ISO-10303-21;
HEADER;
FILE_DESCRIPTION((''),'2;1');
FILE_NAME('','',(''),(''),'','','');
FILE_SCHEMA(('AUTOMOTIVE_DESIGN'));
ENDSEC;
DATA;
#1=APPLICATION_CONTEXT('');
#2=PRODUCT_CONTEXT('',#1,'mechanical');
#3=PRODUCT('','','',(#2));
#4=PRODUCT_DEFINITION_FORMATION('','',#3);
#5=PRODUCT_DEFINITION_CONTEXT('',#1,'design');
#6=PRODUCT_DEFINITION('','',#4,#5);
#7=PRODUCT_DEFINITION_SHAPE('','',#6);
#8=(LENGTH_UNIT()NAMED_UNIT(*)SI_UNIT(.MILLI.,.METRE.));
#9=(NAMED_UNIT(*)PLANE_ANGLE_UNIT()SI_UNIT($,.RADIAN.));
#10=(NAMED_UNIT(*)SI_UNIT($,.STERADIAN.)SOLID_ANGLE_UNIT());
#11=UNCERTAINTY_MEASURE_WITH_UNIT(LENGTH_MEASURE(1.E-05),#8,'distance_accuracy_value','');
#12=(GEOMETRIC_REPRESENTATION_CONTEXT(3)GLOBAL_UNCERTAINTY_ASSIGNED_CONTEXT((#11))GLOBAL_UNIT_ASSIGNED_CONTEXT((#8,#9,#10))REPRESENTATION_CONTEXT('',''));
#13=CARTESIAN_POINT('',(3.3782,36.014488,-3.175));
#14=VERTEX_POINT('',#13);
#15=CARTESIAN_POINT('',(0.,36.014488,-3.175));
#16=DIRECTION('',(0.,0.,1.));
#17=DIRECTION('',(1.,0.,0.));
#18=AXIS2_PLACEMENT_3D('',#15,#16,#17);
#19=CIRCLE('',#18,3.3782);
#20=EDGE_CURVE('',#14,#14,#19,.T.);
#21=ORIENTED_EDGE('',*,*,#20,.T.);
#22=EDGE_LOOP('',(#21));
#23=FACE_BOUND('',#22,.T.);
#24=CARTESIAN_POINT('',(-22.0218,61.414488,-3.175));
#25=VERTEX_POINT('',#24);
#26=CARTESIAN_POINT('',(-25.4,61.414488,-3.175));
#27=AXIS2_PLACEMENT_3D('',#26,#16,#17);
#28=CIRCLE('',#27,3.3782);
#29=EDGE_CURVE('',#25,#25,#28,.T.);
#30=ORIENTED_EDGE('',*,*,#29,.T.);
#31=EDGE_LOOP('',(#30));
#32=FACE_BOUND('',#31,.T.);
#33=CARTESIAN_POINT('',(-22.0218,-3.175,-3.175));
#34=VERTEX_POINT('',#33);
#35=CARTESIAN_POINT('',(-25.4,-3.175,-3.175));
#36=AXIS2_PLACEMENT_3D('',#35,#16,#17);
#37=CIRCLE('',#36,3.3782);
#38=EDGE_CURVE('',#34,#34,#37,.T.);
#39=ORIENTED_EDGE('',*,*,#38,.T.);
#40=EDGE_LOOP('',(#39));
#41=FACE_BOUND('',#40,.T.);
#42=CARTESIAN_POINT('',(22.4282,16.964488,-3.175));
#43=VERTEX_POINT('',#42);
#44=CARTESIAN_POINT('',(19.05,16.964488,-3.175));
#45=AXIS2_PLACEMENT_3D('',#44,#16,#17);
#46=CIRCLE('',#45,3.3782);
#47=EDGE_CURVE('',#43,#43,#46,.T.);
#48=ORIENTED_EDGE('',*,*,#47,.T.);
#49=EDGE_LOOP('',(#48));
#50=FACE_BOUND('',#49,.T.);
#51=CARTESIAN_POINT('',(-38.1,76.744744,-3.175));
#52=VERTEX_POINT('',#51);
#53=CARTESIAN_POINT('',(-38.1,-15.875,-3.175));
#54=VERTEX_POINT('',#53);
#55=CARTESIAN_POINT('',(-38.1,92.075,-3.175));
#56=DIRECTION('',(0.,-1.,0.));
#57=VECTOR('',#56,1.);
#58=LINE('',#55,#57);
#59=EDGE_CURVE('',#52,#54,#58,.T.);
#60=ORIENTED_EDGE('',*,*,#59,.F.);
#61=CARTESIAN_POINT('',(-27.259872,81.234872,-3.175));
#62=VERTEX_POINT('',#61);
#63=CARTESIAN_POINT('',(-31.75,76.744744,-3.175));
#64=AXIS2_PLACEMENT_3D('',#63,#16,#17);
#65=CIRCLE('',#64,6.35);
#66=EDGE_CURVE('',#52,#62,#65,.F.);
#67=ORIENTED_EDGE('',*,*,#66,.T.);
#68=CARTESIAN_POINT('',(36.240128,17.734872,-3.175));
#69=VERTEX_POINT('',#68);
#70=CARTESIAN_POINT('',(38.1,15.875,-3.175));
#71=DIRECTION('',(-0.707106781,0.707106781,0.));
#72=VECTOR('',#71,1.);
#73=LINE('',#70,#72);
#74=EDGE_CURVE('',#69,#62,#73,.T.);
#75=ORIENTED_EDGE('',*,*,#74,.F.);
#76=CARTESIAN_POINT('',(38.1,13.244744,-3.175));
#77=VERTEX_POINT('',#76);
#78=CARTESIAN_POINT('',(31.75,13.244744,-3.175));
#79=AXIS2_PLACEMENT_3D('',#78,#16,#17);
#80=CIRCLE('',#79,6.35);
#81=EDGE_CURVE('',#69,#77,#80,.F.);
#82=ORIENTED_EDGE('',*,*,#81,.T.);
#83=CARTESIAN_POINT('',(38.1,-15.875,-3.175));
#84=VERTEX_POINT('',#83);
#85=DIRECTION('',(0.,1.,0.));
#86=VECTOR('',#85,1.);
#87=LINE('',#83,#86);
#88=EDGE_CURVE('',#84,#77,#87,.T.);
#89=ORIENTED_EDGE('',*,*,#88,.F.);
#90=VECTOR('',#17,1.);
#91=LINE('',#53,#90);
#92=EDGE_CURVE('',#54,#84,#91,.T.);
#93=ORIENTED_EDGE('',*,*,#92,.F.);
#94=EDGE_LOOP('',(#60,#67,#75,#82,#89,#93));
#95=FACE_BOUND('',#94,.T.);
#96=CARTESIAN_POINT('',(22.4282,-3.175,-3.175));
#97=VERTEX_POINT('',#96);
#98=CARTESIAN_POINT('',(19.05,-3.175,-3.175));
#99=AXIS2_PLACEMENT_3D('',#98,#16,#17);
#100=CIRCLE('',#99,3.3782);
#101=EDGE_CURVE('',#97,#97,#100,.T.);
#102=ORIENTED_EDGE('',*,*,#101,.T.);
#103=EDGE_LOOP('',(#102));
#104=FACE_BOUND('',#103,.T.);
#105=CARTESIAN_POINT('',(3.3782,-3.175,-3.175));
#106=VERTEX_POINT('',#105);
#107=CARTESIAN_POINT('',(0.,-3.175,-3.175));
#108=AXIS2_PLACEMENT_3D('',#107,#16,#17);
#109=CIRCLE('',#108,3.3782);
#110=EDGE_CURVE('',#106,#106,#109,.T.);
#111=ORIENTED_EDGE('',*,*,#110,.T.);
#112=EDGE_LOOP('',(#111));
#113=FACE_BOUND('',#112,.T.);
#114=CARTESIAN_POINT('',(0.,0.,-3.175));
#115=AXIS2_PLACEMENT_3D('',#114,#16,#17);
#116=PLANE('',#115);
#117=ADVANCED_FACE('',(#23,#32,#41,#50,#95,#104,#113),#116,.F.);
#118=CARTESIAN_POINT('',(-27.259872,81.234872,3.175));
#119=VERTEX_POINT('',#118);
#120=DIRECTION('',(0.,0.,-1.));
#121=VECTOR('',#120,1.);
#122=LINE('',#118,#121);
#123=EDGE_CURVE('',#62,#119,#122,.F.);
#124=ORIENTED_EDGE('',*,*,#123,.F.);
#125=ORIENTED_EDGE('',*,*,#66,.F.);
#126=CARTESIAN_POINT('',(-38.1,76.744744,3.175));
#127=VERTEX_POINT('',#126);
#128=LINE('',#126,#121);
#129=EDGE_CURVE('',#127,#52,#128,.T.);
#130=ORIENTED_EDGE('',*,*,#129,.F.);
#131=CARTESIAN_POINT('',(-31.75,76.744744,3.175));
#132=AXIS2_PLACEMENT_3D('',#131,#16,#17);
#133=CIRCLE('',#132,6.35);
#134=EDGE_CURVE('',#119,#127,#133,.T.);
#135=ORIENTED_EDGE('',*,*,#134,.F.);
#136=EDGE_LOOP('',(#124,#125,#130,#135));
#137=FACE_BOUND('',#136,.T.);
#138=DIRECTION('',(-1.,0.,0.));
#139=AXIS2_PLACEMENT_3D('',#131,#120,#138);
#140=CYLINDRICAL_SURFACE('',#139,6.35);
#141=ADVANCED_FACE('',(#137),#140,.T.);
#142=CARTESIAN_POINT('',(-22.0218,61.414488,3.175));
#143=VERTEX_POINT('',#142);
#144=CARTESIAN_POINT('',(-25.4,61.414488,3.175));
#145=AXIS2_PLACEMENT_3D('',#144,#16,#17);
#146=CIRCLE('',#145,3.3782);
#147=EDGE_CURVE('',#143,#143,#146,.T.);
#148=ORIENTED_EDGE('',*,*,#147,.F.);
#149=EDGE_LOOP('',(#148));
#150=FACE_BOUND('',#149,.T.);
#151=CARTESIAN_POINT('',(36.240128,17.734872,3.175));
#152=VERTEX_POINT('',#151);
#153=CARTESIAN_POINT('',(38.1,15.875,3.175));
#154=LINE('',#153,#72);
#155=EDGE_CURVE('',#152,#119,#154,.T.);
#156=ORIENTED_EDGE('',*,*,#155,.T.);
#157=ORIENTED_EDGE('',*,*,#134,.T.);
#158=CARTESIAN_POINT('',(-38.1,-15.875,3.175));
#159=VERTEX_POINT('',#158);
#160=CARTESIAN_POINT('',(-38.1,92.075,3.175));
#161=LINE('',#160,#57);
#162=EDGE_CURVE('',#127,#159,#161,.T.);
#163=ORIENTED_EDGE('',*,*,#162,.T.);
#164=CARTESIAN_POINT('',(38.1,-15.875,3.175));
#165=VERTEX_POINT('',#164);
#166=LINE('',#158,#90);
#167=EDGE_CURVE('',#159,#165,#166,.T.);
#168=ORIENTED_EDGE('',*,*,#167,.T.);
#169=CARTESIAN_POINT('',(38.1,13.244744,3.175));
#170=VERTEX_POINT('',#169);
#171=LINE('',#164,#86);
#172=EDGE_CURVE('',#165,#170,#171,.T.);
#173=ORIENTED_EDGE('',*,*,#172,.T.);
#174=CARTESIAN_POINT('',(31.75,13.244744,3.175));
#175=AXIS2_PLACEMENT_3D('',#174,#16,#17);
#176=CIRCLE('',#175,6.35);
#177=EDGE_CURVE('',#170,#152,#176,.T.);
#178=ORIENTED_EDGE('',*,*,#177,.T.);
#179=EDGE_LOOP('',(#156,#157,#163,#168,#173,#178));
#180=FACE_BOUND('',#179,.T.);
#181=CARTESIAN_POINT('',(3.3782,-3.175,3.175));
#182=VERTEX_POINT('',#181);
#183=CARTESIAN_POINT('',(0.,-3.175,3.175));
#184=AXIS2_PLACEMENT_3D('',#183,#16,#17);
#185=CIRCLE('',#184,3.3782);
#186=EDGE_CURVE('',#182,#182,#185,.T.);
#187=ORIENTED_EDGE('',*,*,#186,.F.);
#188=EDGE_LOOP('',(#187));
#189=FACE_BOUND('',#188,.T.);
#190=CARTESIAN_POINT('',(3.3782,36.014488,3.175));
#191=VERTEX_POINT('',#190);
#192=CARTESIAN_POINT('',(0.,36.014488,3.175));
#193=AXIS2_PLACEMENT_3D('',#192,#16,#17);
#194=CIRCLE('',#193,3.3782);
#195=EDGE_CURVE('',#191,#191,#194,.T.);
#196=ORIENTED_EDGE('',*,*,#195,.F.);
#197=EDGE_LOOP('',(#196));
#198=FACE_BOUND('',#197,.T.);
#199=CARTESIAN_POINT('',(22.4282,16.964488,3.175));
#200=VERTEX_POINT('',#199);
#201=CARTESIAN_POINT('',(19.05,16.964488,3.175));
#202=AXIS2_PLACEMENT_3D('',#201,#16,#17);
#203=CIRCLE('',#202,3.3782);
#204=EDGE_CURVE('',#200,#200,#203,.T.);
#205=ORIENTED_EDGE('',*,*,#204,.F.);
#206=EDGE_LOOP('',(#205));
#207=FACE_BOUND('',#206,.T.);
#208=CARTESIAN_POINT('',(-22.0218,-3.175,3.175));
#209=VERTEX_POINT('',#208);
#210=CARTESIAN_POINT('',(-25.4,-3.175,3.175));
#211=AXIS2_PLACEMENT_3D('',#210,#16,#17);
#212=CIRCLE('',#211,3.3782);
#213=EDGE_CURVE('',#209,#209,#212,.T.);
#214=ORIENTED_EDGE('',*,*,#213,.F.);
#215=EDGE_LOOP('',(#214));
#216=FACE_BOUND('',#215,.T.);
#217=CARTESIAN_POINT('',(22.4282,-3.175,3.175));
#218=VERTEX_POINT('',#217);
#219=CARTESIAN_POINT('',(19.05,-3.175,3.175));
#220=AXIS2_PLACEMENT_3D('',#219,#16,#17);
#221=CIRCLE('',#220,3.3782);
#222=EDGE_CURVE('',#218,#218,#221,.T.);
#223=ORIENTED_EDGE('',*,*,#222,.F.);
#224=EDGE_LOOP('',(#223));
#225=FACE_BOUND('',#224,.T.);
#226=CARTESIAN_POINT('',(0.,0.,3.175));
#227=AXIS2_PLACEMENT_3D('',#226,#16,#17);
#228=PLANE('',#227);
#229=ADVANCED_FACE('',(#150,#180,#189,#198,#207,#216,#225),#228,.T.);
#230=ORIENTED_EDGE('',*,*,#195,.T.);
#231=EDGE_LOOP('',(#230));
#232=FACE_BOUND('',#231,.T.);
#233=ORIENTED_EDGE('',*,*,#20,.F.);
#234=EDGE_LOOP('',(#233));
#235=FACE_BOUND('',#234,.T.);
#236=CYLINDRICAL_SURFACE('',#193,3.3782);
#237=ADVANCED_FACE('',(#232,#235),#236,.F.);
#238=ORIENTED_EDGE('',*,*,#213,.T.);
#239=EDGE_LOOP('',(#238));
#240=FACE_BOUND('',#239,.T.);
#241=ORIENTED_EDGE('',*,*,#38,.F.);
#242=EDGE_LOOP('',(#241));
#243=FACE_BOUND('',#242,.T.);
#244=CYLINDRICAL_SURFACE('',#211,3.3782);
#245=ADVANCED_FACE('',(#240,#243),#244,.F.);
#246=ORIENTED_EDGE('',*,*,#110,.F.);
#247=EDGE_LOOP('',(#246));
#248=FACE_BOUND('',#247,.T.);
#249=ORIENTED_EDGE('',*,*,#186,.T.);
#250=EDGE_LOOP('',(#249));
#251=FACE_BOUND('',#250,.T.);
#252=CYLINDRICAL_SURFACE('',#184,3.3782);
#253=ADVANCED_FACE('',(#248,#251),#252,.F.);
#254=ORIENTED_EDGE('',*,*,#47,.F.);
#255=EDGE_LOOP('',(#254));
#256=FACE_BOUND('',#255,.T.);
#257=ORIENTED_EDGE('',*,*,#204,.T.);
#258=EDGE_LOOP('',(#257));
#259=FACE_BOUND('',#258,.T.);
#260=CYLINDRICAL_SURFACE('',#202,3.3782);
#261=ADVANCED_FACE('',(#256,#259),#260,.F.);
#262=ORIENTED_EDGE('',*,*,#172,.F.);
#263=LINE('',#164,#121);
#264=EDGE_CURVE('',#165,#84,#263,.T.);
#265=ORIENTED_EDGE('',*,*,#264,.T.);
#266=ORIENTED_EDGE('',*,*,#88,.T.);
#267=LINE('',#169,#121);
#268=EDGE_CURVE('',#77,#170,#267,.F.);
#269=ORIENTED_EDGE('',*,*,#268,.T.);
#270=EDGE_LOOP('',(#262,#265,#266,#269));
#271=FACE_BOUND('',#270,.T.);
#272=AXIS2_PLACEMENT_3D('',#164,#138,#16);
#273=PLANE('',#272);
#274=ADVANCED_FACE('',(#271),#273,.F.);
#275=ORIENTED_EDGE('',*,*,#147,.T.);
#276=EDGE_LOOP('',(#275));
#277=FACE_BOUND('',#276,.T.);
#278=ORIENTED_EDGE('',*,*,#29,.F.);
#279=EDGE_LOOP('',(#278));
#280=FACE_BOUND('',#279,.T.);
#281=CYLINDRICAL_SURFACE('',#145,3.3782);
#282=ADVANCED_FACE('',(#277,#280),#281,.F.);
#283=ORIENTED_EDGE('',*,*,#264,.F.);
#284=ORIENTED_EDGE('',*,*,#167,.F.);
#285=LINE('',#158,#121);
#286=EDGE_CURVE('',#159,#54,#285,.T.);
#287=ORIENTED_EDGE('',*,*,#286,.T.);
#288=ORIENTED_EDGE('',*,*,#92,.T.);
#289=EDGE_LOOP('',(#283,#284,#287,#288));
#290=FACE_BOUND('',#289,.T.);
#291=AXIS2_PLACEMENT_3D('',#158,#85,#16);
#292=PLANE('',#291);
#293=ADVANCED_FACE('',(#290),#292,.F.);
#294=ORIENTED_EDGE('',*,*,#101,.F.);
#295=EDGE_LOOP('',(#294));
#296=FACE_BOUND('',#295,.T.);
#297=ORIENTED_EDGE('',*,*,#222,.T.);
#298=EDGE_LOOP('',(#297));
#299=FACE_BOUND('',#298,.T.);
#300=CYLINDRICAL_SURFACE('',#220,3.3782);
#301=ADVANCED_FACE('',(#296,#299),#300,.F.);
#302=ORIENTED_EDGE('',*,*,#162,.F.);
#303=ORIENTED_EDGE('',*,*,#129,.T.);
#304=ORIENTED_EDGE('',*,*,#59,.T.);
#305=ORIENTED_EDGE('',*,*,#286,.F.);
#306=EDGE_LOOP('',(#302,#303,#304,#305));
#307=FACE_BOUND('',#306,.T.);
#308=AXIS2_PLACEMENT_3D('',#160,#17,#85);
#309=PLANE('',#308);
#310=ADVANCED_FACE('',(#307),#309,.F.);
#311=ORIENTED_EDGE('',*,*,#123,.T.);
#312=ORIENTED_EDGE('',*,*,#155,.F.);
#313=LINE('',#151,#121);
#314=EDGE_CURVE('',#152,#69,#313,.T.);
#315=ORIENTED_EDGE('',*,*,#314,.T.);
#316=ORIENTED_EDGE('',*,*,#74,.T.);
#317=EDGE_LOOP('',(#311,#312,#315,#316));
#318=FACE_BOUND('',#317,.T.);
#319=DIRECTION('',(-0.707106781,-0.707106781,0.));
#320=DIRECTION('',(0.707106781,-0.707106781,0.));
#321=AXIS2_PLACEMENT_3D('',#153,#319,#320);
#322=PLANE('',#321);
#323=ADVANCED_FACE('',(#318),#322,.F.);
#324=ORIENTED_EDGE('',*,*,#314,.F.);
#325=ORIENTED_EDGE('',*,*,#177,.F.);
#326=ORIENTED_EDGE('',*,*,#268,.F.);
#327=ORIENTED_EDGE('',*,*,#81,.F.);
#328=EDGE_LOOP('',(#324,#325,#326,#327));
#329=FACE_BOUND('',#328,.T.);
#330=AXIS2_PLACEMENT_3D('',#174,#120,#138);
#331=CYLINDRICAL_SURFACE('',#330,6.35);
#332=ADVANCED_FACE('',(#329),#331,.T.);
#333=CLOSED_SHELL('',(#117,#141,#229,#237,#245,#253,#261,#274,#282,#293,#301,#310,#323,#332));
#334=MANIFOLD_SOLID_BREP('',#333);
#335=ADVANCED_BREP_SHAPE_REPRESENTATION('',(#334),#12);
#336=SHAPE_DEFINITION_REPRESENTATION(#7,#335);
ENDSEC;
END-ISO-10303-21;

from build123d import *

# Parameters (mm, degrees)
BOSS_EXTRUDE1_DEPTH     = 3.175
F_1_4_CLEARANCE_HOLE1_D = 6.7564
FILLET1_R               = 6.35


with BuildPart() as part:
    # Sketch1 → Boss-Extrude1 (new, symmetric)
    with BuildSketch(Plane.XY):
        Polygon((-38.1, -15.875), (38.1, -15.875), (38.1, 15.875), (-38.1, 92.075), align=None)
    extrude(amount=BOSS_EXTRUDE1_DEPTH, both=True)

    # 1/4 Clearance Hole1 (through all)
    with Locations(Plane.XY.offset(3.175)):
        with Locations((-25.4, 61.414487758), (0, 36.014487758), (19.05, 16.964487758), (-25.4, -3.175), (19.05, -3.175), (0, -3.175)):
            Hole(F_1_4_CLEARANCE_HOLE1_D / 2)

    # Fillet1
    fillet1_edges = [part.edges().sort_by_distance(p)[0] for p in [
        (-38.1, 92.075, 0),
        (38.1, 15.875, 0),
    ]]
    fillet(fillet1_edges, radius=FILLET1_R)


solid = part.part
